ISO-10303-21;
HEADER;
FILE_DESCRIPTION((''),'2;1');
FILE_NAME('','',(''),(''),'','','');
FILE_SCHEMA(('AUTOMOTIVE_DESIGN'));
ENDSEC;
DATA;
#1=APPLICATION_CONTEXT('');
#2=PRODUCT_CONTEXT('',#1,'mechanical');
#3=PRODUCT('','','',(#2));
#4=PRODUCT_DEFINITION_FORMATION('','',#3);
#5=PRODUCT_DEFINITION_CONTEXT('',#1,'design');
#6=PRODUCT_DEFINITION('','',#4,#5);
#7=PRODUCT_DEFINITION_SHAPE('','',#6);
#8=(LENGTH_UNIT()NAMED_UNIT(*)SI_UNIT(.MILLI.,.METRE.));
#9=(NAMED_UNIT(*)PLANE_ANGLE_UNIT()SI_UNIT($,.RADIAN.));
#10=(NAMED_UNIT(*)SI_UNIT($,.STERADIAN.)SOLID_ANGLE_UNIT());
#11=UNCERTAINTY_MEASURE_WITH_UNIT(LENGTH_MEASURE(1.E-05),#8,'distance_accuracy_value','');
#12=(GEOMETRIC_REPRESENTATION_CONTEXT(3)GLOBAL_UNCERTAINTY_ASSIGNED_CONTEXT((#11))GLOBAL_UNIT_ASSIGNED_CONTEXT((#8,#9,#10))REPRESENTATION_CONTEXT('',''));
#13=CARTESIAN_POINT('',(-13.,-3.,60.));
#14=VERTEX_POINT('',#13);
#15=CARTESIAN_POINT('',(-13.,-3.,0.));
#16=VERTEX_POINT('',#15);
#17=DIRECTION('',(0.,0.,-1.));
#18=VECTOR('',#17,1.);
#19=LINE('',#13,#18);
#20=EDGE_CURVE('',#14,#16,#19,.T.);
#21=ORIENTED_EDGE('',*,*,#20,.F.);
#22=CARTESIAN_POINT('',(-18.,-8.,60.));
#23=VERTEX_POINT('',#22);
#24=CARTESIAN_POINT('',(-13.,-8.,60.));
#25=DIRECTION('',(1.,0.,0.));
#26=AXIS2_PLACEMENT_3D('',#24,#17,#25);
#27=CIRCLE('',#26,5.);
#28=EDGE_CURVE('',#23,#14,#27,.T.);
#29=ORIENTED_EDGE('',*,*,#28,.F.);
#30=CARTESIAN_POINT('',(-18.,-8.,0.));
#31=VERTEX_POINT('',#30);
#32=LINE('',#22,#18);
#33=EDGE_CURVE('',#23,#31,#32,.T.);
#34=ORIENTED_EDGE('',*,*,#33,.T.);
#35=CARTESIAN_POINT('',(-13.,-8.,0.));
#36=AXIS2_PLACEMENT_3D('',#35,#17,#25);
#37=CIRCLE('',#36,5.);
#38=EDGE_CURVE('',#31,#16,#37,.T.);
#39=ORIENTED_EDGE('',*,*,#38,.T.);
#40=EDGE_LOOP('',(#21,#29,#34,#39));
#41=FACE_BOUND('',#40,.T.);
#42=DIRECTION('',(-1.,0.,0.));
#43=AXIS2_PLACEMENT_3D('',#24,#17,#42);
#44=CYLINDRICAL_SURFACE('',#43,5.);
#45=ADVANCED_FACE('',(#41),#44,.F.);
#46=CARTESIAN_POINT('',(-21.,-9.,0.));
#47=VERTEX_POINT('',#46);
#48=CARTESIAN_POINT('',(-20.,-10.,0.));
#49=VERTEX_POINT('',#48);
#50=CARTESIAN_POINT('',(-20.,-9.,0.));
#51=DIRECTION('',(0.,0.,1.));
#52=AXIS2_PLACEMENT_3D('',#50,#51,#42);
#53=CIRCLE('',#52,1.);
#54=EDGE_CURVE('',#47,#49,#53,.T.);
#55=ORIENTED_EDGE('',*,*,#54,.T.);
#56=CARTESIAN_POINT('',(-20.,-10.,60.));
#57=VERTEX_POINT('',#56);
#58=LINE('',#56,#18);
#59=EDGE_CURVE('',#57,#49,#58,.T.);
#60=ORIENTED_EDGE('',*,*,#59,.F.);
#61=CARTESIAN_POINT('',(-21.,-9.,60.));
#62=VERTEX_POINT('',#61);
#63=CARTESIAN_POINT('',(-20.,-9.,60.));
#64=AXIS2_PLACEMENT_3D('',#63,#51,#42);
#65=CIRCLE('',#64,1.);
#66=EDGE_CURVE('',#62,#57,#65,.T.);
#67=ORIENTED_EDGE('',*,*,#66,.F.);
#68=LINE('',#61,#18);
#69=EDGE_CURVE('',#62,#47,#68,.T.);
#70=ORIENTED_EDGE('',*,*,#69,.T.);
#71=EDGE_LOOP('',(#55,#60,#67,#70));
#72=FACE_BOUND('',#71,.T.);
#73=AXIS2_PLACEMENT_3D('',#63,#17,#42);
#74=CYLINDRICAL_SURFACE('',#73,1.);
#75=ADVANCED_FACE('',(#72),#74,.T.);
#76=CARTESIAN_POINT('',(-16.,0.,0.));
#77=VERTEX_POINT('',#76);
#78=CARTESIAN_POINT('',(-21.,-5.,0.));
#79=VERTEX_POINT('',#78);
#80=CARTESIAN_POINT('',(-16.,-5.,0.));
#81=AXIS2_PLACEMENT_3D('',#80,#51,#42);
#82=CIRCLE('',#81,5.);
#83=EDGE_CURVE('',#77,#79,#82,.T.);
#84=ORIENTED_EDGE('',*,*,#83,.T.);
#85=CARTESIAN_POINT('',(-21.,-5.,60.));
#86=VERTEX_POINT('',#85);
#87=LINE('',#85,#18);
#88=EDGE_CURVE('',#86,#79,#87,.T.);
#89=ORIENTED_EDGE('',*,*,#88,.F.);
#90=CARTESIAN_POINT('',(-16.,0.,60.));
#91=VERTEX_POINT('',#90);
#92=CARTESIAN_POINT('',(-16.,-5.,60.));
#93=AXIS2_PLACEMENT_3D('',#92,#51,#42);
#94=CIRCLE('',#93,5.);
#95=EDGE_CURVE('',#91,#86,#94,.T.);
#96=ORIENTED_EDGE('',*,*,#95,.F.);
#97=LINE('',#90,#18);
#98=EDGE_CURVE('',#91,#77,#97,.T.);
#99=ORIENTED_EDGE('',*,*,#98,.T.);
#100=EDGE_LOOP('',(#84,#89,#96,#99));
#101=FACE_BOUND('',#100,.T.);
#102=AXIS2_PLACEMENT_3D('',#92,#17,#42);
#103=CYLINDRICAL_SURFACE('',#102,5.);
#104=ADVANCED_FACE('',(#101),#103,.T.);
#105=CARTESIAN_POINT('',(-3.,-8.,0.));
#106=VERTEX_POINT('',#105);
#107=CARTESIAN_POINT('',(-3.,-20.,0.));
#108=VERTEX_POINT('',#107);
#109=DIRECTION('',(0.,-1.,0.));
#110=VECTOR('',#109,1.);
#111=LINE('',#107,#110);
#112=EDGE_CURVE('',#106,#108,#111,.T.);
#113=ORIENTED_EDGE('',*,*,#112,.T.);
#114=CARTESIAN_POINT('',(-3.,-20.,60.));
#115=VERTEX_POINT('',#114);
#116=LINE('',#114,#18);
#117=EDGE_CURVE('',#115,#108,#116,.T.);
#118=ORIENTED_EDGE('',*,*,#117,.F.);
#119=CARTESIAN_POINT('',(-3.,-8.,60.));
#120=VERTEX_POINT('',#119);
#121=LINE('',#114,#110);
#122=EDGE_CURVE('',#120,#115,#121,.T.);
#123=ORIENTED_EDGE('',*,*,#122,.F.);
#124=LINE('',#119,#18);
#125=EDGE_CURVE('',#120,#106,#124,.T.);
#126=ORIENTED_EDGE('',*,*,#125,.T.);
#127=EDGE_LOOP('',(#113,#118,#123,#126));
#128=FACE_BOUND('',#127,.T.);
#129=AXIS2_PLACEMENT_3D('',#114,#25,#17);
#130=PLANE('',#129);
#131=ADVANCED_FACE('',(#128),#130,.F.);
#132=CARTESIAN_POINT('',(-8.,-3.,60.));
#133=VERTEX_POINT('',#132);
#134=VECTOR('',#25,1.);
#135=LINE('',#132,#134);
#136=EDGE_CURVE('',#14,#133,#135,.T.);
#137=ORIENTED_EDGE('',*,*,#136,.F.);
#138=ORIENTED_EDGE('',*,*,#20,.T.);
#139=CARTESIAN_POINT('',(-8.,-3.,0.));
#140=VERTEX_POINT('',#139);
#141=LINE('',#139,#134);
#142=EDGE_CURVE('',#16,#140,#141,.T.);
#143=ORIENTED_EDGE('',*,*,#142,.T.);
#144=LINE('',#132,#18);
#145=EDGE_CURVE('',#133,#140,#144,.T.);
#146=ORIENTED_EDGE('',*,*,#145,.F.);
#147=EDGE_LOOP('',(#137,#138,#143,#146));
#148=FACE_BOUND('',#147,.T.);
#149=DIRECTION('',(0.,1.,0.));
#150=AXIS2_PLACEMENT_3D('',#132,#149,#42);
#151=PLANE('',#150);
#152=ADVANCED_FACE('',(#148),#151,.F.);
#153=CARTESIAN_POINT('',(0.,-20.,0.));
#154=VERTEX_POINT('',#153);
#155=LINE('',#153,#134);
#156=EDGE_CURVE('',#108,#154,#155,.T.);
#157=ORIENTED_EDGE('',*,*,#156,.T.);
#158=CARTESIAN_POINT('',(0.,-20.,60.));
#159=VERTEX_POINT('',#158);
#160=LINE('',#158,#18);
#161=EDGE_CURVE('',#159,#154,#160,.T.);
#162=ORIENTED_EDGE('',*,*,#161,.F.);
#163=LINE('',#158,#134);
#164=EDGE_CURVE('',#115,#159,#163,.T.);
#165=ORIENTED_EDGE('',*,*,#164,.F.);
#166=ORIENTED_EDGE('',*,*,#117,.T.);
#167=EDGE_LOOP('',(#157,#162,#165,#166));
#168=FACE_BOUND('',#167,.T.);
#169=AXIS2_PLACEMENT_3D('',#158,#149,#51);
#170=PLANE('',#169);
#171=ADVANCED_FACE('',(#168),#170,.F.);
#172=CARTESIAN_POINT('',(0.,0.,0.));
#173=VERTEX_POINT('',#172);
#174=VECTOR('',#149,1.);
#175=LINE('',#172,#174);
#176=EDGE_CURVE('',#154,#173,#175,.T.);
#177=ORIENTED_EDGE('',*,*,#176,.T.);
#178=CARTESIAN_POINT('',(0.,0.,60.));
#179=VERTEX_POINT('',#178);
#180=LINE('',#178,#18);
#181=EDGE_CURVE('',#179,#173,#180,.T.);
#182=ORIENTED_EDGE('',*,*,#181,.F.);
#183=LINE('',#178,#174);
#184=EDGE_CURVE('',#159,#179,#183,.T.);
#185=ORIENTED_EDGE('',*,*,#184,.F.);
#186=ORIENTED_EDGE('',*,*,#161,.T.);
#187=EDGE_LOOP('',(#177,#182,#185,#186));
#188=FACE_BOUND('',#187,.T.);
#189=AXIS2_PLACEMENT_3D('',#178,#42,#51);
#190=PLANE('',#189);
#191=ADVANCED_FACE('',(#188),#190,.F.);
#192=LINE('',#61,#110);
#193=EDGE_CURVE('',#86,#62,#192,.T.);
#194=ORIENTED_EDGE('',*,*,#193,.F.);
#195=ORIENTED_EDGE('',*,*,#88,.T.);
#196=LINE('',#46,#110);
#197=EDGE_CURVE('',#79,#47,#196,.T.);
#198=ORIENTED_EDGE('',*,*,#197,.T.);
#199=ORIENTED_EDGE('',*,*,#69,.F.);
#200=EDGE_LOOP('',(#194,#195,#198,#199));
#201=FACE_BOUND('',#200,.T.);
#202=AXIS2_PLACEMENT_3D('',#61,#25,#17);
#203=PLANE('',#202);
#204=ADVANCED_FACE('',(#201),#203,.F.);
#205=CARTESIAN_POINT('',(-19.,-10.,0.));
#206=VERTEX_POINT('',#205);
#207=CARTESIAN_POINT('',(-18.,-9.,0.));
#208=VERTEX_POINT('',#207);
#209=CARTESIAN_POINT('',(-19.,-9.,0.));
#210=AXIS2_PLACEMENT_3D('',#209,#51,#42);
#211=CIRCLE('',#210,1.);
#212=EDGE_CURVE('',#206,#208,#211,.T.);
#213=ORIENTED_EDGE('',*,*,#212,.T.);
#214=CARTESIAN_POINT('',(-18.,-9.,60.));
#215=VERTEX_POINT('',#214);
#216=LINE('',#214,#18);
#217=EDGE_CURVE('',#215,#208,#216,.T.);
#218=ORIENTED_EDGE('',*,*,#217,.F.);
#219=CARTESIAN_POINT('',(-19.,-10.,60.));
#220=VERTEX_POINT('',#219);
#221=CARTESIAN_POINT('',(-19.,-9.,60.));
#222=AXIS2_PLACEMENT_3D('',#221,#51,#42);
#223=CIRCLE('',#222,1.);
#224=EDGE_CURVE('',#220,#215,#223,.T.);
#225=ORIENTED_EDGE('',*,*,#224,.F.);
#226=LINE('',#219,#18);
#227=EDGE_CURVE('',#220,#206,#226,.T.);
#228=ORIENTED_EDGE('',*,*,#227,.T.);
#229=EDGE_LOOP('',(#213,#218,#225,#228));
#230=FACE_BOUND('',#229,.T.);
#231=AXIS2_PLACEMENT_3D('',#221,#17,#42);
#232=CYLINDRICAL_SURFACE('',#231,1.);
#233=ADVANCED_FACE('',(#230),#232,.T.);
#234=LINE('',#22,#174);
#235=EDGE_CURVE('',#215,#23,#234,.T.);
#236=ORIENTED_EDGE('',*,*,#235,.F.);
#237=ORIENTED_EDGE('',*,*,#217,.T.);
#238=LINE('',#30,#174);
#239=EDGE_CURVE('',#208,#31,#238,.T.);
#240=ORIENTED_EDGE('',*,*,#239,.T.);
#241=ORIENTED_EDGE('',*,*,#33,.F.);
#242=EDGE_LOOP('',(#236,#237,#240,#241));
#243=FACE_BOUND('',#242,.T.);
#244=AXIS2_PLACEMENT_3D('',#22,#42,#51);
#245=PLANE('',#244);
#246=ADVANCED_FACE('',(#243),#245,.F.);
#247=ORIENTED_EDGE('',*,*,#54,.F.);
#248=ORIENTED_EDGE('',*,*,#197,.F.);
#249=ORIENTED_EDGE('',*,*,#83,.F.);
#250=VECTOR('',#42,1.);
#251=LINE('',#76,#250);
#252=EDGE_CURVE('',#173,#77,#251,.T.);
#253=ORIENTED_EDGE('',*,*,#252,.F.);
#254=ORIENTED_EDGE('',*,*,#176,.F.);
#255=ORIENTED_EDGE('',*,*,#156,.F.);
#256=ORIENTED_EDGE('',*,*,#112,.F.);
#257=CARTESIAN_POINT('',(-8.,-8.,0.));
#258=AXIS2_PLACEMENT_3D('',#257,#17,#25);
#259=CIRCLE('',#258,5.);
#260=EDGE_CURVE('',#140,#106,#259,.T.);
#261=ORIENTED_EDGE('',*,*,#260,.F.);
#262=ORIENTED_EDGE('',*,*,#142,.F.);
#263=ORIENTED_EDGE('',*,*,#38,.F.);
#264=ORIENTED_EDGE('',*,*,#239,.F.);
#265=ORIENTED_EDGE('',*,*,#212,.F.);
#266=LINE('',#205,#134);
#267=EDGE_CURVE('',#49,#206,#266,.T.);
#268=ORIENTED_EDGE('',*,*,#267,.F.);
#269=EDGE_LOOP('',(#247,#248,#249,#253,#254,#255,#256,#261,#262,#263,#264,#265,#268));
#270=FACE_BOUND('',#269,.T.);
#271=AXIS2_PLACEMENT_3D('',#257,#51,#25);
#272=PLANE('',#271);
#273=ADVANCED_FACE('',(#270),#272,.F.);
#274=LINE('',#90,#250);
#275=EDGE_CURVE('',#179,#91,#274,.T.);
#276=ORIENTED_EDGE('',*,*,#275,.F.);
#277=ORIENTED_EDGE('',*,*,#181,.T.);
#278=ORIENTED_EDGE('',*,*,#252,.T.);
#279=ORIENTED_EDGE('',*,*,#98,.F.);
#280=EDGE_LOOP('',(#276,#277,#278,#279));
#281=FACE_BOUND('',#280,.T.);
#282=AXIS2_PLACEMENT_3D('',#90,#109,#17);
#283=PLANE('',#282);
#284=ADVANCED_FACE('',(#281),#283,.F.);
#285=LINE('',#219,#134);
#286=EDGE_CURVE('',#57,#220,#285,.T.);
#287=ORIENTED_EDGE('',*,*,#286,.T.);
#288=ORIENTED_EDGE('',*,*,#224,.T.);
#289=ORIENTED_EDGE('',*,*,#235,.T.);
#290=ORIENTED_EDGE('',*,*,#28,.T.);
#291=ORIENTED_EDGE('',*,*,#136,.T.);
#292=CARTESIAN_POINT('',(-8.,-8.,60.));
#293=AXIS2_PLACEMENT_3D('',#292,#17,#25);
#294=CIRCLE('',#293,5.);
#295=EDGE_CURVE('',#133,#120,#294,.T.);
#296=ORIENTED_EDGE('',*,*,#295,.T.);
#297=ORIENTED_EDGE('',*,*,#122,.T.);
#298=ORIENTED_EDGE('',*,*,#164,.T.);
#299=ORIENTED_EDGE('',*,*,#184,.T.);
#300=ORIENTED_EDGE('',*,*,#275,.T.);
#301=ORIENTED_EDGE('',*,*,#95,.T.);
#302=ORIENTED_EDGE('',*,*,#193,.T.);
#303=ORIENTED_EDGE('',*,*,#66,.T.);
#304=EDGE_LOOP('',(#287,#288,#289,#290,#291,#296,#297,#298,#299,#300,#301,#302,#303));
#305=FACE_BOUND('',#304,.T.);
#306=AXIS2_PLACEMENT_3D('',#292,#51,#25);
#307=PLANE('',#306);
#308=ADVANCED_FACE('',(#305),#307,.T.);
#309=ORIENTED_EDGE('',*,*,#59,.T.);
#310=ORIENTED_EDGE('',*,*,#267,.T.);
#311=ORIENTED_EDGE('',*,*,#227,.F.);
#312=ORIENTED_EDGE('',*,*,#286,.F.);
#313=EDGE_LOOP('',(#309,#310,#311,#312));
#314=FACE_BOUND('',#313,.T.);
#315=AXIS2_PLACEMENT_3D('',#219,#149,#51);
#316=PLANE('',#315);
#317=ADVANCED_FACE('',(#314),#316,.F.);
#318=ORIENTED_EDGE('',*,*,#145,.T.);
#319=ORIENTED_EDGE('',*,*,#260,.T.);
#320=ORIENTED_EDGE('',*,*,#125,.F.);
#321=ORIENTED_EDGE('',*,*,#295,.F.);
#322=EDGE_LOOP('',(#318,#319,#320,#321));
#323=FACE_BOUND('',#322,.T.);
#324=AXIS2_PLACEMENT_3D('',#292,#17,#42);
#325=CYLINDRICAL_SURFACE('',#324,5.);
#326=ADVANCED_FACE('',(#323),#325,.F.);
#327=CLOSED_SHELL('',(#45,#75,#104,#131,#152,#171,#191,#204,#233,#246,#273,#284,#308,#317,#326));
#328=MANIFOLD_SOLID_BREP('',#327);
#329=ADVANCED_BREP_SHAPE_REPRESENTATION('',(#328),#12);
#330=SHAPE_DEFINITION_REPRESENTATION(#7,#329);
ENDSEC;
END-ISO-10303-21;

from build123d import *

# Parameters (mm, degrees)
BOSS_EXTRUDE1_DEPTH = 60


with BuildPart() as part:
    # Sketch1 → Boss-Extrude1 (new body)
    with BuildSketch(Plane.XY):
        with BuildLine():
            Line((0, 0), (0, -20))
            Line((0, -20), (-3, -20))
            Line((-3, -20), (-3, -8))
            ThreePointArc((-3, -8), (-4.464466094, -4.464466094), (-8, -3))
            Line((-8, -3), (-13, -3))
            ThreePointArc((-13, -3), (-16.535533906, -4.464466094), (-18, -8))
            Line((-18, -8), (-18, -9))
            ThreePointArc((-18, -9), (-18.292893219, -9.707106781), (-19, -10))
            Line((-19, -10), (-20, -10))
            ThreePointArc((-20, -10), (-20.707106781, -9.707106781), (-21, -9))
            Line((-21, -9), (-21, -5))
            ThreePointArc((-21, -5), (-19.535533906, -1.464466094), (-16, 0))
            Line((-16, 0), (0, 0))
        make_face()
    extrude(amount=BOSS_EXTRUDE1_DEPTH)


solid = part.part
